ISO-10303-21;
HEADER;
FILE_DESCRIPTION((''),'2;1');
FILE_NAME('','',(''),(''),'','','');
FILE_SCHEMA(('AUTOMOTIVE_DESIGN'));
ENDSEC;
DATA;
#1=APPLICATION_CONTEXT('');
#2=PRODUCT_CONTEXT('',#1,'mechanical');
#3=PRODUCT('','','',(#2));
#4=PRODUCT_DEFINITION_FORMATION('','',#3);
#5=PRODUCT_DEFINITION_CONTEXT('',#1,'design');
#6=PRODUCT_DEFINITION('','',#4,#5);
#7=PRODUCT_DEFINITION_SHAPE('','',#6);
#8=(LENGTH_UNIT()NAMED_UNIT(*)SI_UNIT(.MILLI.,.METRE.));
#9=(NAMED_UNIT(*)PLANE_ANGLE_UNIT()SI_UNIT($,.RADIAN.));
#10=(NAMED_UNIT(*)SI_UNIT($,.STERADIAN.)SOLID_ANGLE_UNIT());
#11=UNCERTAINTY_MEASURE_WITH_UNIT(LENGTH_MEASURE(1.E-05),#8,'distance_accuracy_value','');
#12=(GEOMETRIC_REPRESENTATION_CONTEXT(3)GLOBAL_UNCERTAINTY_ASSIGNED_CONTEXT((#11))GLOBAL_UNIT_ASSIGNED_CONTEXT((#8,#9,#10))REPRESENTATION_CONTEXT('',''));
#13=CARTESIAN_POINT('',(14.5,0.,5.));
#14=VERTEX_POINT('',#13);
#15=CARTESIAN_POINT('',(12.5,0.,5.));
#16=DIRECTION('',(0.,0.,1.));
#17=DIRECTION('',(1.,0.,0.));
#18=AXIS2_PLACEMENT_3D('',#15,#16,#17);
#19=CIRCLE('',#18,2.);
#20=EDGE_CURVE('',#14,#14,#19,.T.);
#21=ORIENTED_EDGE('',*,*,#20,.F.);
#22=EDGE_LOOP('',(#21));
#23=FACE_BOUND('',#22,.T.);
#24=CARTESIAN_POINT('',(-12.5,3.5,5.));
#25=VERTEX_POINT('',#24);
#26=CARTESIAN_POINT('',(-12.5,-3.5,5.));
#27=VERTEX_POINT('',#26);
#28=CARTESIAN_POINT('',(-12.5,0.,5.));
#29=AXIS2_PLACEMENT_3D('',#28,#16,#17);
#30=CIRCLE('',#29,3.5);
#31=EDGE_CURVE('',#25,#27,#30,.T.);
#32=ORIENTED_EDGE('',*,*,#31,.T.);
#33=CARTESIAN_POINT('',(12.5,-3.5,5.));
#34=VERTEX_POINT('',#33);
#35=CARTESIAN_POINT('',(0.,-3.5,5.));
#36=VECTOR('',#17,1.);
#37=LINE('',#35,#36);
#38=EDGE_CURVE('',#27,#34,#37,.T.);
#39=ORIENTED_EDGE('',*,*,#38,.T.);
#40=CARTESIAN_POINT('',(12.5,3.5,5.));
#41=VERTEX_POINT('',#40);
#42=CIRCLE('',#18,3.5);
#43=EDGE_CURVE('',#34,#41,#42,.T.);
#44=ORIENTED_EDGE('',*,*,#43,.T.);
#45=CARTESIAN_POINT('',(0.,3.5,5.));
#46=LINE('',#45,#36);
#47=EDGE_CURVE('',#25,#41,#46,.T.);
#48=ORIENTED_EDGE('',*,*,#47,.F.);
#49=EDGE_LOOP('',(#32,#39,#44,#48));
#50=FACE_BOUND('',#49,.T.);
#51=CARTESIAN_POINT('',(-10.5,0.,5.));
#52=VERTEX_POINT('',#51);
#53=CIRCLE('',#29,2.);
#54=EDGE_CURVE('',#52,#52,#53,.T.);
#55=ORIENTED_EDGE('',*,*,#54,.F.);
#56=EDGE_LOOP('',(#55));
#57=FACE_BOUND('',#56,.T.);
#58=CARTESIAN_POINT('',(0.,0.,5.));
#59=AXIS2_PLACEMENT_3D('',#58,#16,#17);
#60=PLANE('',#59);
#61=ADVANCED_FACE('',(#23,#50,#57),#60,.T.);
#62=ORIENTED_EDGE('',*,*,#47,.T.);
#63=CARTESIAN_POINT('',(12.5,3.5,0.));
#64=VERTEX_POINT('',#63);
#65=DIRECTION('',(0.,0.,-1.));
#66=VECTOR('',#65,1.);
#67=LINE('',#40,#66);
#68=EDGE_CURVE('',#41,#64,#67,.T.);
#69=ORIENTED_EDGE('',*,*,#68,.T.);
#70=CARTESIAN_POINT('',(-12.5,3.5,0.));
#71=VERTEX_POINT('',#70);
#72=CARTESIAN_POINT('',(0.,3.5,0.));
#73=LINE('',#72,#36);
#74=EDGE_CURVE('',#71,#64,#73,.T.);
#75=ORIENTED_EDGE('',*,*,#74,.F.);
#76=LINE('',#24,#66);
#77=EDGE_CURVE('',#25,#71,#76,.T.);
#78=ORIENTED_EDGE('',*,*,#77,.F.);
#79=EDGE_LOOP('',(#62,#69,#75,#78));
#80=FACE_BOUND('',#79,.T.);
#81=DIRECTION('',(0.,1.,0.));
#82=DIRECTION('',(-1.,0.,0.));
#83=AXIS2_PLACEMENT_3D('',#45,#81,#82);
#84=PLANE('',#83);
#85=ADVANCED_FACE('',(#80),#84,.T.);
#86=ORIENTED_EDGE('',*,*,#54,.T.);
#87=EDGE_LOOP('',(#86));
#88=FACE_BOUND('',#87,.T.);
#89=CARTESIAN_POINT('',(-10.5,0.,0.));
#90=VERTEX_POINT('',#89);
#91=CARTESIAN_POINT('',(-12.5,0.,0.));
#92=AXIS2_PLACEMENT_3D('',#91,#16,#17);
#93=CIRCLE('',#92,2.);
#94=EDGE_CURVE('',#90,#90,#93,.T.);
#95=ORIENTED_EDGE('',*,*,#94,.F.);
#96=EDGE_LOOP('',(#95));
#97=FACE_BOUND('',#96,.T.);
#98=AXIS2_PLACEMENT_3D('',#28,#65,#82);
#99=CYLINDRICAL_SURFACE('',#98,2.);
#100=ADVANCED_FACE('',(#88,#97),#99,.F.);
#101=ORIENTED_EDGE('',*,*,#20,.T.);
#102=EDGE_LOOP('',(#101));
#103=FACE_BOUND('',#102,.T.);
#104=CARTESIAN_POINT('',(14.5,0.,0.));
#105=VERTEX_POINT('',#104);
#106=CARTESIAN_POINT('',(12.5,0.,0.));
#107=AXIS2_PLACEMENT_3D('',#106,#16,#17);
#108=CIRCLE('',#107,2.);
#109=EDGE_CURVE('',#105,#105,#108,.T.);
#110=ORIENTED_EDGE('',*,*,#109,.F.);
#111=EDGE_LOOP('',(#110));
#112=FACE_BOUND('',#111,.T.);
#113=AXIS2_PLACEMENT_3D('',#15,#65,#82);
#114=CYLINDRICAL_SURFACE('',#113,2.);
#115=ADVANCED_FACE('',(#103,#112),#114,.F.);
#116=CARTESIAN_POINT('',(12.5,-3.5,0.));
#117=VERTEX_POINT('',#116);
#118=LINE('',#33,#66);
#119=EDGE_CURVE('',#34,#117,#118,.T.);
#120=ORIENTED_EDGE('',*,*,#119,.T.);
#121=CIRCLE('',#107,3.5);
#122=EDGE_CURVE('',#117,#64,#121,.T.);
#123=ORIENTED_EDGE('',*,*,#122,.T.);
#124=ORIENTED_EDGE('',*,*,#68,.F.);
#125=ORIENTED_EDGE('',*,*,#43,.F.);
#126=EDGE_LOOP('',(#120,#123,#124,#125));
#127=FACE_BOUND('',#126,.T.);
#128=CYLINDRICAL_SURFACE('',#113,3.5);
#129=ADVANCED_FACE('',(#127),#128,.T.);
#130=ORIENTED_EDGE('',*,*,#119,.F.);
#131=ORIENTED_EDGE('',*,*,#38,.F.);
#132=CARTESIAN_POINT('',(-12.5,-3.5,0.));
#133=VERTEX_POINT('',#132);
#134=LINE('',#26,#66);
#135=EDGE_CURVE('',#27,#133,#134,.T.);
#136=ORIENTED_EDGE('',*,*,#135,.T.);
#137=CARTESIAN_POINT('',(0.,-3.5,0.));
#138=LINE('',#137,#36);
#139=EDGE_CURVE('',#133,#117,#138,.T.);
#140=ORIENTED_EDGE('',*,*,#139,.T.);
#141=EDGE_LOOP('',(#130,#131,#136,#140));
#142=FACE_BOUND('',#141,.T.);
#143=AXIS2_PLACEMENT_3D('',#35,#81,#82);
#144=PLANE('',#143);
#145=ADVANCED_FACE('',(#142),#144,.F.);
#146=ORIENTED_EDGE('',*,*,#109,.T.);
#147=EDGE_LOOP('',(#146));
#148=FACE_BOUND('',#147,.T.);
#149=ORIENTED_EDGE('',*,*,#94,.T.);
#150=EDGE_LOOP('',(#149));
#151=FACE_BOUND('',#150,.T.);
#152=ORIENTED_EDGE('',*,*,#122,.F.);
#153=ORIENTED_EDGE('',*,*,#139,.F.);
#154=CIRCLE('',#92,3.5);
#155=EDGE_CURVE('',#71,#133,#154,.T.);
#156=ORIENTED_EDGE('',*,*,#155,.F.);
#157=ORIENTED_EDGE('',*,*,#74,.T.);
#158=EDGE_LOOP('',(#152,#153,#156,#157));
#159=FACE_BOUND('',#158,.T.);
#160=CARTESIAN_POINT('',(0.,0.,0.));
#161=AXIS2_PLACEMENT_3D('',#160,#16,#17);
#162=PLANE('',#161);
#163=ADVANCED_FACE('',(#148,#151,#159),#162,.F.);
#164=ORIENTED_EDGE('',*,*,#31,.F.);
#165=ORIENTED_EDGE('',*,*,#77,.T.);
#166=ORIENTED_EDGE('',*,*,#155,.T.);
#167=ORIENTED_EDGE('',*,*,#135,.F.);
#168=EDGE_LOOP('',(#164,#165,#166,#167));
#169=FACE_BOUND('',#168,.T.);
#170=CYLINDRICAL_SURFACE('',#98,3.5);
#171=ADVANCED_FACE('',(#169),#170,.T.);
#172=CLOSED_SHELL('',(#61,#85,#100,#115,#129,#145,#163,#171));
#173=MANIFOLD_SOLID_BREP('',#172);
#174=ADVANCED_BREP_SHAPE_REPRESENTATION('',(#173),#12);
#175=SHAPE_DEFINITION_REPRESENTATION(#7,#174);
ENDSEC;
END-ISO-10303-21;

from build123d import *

# Parameters (mm, degrees)
SKETCH1_R           = 2
BOSS_EXTRUDE1_DEPTH = 5


with BuildPart() as part:
    # Sketch1 → Boss-Extrude1 (new body)
    with BuildSketch(Plane.XY):
        with BuildLine():
            Line((-12.5, -3.5), (12.5, -3.5))
            ThreePointArc((12.5, -3.5), (16, 0), (12.5, 3.5))
            Line((12.5, 3.5), (-12.5, 3.5))
            ThreePointArc((-12.5, 3.5), (-16, 0), (-12.5, -3.5))
        make_face()
        with Locations((12.5, 0)):
            Circle(SKETCH1_R, mode=Mode.SUBTRACT)
        with Locations((-12.5, 0)):
            Circle(SKETCH1_R, mode=Mode.SUBTRACT)
    extrude(amount=BOSS_EXTRUDE1_DEPTH)


solid = part.part
